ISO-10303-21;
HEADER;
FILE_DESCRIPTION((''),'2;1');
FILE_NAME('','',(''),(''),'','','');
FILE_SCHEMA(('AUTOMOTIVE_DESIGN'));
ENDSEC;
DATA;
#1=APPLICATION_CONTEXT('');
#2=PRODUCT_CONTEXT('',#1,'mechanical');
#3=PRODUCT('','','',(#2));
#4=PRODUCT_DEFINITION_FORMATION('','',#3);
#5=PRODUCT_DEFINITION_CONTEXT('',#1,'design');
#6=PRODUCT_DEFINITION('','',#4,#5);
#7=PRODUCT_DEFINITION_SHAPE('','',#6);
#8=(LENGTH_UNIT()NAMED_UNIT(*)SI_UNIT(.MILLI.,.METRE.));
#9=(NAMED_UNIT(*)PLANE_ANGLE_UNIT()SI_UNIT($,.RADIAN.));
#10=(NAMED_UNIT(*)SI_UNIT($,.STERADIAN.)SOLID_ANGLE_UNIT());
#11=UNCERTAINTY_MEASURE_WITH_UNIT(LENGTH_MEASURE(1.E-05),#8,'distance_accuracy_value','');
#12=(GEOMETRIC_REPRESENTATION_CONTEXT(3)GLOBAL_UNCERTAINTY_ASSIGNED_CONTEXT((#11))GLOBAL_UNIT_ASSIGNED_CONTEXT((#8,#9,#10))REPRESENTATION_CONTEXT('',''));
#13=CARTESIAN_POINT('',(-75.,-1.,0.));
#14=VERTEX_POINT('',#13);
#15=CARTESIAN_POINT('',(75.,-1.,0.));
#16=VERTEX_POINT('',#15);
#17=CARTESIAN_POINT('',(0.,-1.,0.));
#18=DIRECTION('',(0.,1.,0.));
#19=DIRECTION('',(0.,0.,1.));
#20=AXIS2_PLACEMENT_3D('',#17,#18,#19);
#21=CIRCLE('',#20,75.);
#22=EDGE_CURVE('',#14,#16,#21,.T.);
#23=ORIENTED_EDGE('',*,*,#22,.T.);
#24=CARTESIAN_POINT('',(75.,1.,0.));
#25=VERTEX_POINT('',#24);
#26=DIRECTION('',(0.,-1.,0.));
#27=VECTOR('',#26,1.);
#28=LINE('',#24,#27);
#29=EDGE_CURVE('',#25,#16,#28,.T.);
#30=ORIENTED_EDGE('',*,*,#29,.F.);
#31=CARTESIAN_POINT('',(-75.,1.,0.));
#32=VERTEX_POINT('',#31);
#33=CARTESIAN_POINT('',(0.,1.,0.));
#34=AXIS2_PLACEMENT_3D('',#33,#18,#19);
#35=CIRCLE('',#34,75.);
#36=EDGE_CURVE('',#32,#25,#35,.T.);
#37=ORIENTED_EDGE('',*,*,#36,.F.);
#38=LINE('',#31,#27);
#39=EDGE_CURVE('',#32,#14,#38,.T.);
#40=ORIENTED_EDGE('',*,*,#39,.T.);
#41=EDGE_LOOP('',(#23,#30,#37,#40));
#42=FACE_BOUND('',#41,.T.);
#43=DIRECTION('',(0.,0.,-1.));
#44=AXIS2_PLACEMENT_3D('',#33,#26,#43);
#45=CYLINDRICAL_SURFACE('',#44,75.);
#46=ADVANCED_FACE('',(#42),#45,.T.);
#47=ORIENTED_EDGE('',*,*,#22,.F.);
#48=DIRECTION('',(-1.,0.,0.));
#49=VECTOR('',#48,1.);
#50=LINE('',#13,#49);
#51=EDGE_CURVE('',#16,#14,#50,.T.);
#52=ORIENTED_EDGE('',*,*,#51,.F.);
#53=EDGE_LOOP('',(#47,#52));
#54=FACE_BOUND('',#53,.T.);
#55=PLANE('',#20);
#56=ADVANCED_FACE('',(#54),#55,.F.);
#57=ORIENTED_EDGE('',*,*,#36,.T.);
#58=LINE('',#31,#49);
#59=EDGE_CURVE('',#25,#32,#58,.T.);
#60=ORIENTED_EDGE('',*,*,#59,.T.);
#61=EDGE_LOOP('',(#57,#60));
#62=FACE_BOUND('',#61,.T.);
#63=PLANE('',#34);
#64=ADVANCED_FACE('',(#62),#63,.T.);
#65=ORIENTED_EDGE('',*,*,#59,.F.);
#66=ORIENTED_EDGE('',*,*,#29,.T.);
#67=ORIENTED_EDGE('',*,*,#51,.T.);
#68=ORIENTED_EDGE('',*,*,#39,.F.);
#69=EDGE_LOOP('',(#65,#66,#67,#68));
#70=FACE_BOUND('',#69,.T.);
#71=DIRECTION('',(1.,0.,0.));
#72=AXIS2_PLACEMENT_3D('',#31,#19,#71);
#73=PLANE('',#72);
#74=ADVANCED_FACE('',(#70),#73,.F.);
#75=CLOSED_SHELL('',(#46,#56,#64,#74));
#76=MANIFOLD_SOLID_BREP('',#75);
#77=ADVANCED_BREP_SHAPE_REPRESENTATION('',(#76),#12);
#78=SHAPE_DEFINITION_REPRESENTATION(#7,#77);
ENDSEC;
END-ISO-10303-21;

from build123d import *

# Parameters (mm, degrees)
BOSS_EXTRUDE1_DEPTH = 1


with BuildPart() as part:
    # Sketch1 → Boss-Extrude1 (new body, symmetric)
    with BuildSketch(Plane(origin=(0, 0, 0), x_dir=(1, 0, 0), z_dir=(0, 1, 0))):
        with BuildLine():
            Line((-75, 0), (75, 0))
            ThreePointArc((75, 0), (0, -75), (-75, 0))
        make_face()
    extrude(amount=BOSS_EXTRUDE1_DEPTH, both=True)


solid = part.part
